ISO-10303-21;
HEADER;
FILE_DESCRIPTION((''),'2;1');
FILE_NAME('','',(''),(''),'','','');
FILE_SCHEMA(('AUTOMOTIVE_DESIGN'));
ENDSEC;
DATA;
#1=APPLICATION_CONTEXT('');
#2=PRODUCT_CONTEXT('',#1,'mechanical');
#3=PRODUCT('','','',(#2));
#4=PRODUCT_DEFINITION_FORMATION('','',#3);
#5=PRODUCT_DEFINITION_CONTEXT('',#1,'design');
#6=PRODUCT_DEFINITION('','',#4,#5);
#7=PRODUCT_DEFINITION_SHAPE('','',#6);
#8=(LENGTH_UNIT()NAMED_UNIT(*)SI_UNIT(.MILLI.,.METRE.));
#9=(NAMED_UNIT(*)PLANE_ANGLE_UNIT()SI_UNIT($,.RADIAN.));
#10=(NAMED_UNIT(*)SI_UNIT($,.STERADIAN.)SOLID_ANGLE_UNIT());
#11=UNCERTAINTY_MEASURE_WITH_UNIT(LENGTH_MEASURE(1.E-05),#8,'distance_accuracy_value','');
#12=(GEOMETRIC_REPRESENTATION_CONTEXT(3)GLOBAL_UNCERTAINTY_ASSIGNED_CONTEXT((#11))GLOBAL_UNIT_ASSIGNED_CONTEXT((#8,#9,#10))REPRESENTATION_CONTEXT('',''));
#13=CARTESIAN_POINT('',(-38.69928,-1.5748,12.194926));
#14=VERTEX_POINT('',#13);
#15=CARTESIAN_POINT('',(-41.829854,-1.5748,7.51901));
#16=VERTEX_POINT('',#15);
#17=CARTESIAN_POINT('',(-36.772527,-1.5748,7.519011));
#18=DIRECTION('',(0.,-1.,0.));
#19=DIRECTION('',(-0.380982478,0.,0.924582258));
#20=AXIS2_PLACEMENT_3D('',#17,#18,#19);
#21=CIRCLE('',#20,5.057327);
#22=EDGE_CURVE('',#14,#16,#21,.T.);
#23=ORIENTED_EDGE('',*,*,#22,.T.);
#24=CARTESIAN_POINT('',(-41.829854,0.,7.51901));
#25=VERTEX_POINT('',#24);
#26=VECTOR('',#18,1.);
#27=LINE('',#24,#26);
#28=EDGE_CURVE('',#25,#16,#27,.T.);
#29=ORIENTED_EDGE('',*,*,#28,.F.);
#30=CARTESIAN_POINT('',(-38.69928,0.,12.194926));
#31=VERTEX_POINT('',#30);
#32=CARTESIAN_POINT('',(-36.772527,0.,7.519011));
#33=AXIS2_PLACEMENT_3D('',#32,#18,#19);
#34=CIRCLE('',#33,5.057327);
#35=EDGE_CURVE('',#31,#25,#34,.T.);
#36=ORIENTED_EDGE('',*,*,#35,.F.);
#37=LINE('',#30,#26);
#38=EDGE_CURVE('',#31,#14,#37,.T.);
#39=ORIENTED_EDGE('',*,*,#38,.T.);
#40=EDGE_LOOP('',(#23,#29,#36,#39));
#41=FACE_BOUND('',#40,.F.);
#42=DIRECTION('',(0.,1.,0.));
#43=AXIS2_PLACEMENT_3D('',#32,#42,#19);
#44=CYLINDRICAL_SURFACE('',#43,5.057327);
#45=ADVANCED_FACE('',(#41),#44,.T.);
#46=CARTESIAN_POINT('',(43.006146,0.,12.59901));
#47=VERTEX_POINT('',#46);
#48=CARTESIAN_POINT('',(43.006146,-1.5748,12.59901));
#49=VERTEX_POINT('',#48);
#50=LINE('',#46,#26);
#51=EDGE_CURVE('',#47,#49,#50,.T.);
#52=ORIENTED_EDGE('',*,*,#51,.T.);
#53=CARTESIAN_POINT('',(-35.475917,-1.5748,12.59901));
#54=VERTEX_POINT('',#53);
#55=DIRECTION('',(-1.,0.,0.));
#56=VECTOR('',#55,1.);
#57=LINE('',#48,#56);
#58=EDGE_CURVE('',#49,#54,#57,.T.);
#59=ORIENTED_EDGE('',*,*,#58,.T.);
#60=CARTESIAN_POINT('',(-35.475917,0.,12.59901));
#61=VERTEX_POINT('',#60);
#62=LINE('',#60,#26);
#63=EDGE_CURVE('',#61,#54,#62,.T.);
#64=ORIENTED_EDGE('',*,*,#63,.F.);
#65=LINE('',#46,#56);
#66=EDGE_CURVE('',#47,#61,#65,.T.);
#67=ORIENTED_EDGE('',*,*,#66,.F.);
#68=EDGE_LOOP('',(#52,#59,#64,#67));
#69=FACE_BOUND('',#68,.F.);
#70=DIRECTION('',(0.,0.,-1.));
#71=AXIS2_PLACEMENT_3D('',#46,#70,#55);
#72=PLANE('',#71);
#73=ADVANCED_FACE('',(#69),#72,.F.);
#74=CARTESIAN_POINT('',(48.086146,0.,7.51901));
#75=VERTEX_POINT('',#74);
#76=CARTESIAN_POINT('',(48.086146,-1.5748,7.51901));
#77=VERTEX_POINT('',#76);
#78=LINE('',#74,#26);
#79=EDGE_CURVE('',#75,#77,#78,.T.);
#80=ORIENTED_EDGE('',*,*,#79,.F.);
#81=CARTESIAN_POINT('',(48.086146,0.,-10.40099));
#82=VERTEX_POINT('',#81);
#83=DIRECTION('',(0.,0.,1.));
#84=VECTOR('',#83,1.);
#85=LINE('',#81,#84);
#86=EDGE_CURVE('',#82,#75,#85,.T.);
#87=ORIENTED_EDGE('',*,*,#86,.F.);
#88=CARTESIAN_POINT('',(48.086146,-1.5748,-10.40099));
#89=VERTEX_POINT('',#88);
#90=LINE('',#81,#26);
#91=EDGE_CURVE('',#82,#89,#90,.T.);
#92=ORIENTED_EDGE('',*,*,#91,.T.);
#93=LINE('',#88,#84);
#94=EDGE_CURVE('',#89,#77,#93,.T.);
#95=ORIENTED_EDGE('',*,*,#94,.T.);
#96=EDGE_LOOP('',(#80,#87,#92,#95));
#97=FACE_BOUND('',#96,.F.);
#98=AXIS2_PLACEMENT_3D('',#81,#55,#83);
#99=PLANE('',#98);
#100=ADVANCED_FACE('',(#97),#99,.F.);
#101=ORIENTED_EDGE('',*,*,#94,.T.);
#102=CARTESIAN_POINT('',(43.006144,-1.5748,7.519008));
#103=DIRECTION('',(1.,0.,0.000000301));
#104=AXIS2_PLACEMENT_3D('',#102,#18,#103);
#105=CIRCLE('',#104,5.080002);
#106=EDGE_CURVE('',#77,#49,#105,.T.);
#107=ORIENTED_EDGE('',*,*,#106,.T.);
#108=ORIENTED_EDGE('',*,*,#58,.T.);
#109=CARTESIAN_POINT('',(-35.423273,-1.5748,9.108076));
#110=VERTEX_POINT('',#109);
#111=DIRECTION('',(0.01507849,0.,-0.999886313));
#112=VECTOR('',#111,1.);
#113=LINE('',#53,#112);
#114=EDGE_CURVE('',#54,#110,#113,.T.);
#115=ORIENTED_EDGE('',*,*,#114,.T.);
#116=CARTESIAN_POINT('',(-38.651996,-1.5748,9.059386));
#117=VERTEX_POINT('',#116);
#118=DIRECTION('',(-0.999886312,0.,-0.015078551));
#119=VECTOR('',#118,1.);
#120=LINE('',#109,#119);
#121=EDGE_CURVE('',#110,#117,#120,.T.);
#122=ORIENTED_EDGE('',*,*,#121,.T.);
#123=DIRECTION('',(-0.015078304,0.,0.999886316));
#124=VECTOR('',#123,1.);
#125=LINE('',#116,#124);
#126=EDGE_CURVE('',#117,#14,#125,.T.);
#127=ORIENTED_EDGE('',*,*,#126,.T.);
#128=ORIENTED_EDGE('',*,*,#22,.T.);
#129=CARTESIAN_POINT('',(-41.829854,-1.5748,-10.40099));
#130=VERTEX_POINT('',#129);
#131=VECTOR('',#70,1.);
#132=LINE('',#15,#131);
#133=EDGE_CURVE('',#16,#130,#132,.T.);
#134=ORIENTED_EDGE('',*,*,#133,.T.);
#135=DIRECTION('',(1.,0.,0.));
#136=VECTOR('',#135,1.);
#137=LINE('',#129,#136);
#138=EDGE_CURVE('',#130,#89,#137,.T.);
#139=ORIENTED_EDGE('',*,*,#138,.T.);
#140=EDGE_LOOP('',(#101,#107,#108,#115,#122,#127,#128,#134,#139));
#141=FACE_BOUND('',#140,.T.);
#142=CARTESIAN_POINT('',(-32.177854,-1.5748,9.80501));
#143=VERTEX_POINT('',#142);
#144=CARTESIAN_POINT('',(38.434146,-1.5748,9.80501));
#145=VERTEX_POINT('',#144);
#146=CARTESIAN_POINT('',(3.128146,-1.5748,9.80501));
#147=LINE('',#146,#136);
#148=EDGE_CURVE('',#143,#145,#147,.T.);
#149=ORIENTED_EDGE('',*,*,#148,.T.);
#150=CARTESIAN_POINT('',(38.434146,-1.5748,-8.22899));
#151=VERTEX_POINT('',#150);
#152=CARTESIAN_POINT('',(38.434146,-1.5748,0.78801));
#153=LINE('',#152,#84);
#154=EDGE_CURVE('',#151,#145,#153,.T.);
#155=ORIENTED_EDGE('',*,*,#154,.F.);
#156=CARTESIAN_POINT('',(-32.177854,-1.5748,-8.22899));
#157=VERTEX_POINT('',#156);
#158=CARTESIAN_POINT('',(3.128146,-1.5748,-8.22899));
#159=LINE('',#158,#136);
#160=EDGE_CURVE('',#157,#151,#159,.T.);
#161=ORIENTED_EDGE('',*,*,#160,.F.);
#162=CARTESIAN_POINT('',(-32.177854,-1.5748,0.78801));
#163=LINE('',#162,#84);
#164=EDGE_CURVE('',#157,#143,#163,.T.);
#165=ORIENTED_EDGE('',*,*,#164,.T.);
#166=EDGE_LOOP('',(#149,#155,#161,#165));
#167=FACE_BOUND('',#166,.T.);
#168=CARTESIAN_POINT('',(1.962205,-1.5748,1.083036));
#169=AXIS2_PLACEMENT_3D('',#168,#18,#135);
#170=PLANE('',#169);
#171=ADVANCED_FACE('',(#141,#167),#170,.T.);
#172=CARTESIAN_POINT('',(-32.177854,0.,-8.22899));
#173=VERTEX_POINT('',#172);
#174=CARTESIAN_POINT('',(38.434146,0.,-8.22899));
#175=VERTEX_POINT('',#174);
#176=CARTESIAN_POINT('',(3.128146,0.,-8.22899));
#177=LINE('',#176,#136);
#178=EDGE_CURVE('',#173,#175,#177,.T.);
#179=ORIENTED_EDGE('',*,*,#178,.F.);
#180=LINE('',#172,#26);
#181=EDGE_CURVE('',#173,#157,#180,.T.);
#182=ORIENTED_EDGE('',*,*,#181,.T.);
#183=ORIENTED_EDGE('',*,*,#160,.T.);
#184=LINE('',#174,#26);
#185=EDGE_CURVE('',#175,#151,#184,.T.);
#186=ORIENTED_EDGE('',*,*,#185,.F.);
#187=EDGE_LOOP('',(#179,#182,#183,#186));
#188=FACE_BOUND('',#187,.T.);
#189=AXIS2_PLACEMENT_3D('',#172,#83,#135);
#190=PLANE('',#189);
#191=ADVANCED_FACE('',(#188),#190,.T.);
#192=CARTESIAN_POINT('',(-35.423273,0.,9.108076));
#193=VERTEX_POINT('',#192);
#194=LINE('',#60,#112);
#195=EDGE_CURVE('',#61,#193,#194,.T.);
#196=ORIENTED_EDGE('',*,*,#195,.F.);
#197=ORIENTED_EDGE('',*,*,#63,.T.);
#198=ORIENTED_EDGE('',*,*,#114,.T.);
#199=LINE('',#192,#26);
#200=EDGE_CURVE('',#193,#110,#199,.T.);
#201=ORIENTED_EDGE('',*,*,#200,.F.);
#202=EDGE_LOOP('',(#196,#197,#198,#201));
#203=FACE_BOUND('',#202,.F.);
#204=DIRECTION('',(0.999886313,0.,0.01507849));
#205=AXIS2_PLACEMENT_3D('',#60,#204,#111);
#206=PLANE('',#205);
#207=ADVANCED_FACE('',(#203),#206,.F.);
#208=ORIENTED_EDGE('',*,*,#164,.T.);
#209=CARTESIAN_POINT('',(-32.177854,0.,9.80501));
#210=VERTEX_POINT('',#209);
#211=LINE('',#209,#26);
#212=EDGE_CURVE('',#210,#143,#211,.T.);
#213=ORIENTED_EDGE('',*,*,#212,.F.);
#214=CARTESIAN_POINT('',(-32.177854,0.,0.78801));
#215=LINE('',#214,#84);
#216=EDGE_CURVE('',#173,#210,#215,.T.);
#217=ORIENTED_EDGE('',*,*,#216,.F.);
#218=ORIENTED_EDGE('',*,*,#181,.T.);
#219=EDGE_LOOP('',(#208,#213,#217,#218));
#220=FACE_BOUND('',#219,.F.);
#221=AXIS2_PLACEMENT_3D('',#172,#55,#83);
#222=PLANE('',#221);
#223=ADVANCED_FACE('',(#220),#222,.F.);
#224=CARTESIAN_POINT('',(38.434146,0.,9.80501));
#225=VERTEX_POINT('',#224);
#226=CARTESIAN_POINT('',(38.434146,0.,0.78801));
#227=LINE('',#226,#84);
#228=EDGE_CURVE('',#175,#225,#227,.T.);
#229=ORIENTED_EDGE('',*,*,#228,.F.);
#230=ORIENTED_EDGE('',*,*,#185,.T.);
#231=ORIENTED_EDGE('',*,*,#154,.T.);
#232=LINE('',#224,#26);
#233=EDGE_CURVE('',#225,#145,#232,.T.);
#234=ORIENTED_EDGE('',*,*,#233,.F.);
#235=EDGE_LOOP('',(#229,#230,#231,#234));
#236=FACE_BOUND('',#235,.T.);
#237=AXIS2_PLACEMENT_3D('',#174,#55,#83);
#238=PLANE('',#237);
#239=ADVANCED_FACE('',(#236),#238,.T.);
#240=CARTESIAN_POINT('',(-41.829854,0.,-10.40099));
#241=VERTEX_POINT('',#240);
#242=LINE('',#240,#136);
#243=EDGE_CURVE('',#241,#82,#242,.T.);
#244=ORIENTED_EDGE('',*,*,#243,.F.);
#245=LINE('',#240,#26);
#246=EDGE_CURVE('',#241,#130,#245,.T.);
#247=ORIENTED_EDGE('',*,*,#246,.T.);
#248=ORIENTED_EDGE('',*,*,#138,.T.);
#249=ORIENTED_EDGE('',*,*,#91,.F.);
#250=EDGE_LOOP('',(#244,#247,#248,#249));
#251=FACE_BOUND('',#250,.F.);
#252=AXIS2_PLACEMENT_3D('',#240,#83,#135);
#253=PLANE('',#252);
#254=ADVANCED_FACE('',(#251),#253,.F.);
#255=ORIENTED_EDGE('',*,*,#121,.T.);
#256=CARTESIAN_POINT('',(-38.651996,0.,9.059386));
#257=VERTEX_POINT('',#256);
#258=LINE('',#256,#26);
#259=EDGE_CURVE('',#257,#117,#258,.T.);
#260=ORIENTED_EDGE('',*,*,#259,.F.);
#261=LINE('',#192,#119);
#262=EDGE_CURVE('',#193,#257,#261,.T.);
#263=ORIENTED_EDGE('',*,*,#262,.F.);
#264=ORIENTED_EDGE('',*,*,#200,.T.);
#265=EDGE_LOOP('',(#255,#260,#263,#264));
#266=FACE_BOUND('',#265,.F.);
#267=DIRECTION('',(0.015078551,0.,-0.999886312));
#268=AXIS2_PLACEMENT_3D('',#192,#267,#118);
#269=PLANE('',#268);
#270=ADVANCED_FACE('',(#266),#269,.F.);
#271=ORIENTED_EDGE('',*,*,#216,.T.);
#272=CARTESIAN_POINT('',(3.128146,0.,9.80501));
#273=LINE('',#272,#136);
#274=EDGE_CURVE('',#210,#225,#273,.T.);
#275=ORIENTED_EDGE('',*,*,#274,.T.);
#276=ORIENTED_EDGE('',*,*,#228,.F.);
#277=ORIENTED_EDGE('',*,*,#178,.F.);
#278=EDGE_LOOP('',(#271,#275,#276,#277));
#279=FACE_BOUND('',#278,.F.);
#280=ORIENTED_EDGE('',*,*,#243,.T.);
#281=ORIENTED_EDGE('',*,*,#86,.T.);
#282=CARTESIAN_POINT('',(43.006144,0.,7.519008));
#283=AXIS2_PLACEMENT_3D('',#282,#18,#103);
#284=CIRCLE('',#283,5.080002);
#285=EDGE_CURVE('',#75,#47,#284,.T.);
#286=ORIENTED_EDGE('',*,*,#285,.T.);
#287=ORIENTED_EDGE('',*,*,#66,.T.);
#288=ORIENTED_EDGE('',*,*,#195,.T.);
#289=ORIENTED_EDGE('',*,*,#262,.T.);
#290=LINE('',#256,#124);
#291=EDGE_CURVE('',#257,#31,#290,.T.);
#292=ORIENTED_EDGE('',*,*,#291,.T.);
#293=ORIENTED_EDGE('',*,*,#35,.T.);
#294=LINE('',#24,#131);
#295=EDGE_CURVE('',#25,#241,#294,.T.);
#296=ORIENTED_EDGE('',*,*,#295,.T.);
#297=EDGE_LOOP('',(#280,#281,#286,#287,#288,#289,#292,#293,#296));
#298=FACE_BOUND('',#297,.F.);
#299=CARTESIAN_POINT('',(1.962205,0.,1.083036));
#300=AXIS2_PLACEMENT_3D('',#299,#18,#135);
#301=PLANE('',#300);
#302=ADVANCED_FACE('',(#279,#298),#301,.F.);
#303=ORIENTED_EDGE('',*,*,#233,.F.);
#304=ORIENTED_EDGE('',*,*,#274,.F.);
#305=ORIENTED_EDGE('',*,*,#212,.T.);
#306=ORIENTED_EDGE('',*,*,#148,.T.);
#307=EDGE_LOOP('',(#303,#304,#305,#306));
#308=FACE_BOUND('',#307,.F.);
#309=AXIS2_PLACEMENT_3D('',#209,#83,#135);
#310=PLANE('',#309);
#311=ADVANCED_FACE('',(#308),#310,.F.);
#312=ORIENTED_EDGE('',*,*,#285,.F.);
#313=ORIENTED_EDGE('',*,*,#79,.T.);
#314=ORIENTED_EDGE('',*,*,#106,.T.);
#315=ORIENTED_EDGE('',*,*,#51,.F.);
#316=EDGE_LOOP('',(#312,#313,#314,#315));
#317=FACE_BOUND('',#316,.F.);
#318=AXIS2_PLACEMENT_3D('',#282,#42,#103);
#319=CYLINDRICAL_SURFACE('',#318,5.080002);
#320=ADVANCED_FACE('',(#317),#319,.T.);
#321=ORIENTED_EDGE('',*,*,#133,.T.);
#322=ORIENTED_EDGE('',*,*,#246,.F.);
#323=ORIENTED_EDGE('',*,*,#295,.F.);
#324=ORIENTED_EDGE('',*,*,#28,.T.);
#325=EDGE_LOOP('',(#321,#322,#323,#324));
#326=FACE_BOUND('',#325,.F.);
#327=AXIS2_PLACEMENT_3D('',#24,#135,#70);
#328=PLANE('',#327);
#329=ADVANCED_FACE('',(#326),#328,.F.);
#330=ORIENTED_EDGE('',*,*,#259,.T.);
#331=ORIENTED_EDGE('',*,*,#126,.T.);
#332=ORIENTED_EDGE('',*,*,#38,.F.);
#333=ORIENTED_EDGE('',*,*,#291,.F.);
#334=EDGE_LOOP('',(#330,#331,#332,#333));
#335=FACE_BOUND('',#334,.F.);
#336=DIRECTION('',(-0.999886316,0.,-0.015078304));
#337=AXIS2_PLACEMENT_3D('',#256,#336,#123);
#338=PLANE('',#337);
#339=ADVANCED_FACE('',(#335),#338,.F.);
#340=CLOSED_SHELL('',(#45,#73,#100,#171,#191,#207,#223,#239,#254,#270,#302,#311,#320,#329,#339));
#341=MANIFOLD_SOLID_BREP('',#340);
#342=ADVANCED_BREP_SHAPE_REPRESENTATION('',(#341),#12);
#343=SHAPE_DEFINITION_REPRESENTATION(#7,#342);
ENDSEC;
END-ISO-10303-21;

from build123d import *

# Parameters (mm, degrees)
F0_W     = 70.612
F0_H     = 18.034
F1_DEPTH = 1.5748


with BuildPart() as f1:
    # F0 (on Front) → F1 (new body)
    with BuildSketch(Plane.XZ):
        with BuildLine():
            Line((43.006146, 12.59901), (-35.475917, 12.59901))
            Line((-35.475917, 12.59901), (-35.423273, 9.108076))
            Line((-35.423273, 9.108076), (-38.651996, 9.059386))
            Line((-38.651996, 9.059386), (-38.69928, 12.194926))
            ThreePointArc((-38.69928, 12.194926), (-40.974954, 10.332579), (-41.829854, 7.51901))
            Line((-41.829854, 7.51901), (-41.829854, -10.40099))
            Line((-41.829854, -10.40099), (48.086146, -10.40099))
            Line((48.086146, -10.40099), (48.086146, 7.51901))
            ThreePointArc((48.086146, 7.51901), (46.598248, 11.111112), (43.006146, 12.59901))
        make_face()
        with Locations((3.128146, 0.78801)):
            Rectangle(F0_W, F0_H, mode=Mode.SUBTRACT)
    extrude(amount=F1_DEPTH)


solid = f1.part
